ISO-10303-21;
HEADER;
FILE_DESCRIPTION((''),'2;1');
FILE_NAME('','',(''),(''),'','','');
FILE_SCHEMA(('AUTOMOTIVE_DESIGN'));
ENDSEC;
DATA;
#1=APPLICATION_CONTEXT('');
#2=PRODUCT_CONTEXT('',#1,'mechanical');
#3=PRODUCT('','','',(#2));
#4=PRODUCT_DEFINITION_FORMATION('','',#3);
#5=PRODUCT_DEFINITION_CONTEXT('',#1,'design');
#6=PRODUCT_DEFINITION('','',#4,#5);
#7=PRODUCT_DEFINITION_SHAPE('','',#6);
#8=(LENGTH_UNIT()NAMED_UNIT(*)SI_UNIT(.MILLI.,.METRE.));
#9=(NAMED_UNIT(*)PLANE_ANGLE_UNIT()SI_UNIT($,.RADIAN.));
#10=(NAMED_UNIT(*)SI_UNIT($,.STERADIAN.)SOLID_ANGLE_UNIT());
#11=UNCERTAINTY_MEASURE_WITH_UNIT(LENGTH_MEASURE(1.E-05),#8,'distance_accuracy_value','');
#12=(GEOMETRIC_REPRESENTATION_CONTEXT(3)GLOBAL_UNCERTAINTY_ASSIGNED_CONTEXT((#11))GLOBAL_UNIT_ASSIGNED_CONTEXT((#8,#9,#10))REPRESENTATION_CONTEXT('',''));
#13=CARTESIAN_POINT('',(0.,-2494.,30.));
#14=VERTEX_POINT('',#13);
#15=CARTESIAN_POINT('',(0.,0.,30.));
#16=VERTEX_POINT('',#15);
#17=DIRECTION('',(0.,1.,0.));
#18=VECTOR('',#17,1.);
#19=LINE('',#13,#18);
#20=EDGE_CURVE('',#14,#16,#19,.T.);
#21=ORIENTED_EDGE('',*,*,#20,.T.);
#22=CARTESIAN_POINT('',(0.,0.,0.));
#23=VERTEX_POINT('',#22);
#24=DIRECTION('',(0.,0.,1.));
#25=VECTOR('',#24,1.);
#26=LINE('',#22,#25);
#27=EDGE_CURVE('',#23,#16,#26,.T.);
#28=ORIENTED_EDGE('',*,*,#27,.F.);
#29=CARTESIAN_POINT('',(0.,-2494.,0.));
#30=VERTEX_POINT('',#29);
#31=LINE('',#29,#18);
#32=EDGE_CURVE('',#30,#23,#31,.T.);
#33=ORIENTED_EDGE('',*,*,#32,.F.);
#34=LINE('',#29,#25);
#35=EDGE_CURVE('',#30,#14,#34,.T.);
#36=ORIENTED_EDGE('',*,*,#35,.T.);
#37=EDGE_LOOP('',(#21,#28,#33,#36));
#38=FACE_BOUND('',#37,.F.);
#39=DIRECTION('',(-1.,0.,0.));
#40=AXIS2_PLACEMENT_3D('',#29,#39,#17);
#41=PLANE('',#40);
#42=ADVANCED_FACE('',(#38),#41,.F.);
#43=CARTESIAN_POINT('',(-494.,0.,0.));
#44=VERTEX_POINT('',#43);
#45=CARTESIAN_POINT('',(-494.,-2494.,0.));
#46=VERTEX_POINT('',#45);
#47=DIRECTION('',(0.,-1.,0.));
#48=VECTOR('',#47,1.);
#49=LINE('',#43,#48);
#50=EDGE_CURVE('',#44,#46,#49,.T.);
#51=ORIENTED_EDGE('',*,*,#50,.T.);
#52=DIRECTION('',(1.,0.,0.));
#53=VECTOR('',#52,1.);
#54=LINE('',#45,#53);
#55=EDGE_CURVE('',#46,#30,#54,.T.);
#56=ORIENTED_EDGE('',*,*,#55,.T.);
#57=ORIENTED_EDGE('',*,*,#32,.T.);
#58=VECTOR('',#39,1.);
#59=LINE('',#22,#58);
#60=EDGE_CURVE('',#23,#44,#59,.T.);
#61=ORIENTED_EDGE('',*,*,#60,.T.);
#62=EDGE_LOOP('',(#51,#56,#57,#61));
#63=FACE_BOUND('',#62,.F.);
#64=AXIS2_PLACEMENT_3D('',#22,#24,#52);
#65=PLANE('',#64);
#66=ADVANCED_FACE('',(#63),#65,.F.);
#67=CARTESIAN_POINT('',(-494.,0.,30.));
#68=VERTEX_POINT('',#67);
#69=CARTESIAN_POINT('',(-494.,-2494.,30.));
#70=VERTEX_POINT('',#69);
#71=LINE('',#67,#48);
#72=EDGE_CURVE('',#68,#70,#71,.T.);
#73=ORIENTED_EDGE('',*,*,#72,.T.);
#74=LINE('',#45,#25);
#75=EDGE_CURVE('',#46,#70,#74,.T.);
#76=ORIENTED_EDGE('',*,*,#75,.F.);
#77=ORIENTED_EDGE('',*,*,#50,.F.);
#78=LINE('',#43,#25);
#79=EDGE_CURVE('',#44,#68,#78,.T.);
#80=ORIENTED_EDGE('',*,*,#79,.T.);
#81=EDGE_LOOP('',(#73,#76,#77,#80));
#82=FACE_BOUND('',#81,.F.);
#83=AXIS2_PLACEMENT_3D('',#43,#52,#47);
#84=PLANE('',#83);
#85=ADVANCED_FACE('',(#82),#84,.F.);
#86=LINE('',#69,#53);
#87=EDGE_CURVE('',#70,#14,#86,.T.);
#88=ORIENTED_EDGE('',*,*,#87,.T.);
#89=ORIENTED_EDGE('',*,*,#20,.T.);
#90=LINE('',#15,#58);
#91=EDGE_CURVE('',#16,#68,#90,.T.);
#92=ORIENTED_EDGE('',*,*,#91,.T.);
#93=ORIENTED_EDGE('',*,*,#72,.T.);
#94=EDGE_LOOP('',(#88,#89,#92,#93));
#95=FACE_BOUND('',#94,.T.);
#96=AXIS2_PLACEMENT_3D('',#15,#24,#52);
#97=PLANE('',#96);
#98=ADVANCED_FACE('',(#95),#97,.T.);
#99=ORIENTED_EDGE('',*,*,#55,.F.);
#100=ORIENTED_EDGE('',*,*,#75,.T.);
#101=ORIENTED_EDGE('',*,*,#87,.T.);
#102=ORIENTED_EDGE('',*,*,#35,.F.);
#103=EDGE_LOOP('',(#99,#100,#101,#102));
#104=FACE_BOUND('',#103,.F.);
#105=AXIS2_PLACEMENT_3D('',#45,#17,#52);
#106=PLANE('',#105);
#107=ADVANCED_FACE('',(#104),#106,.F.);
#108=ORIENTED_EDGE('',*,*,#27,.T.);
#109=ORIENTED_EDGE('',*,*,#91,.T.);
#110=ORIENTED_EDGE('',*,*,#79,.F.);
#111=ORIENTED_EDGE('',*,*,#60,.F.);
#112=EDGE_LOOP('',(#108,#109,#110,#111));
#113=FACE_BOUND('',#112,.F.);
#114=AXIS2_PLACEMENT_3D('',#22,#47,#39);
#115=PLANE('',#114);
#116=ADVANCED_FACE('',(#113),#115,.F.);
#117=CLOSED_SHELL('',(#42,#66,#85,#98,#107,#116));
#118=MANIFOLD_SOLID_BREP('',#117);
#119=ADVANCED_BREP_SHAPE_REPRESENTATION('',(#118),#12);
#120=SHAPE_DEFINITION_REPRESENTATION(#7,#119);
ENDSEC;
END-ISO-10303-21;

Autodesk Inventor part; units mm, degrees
ref_plane "YZ Plane" through (0, 0, 0) normal (1, 0, 0) x (0, 1, 0)
ref_plane "XZ Plane" through (0, 0, 0) normal (0, 1, 0) x (-1, 0, 0)
ref_plane "XY Plane" through (0, 0, 0) normal (0, 0, 1) x (1, 0, 0)
sketch "Sketch1" plane through (0, 0, 0) normal (0, 0, 1) x (1, 0, 0)
  line L0 (0, 0) -> (-494, 0)
  line L1 (-494, 0) -> (-494, -2494)
  line L2 (-494, -2494) -> (0, -2494)
  line L3 (0, -2494) -> (0, 0)
  dimension "d0" = 494
  dimension "d1" = 2494
extrude "Extrusion1" add sketch "Sketch1" along normal blind 30
properties part number "madeiraControladora"
